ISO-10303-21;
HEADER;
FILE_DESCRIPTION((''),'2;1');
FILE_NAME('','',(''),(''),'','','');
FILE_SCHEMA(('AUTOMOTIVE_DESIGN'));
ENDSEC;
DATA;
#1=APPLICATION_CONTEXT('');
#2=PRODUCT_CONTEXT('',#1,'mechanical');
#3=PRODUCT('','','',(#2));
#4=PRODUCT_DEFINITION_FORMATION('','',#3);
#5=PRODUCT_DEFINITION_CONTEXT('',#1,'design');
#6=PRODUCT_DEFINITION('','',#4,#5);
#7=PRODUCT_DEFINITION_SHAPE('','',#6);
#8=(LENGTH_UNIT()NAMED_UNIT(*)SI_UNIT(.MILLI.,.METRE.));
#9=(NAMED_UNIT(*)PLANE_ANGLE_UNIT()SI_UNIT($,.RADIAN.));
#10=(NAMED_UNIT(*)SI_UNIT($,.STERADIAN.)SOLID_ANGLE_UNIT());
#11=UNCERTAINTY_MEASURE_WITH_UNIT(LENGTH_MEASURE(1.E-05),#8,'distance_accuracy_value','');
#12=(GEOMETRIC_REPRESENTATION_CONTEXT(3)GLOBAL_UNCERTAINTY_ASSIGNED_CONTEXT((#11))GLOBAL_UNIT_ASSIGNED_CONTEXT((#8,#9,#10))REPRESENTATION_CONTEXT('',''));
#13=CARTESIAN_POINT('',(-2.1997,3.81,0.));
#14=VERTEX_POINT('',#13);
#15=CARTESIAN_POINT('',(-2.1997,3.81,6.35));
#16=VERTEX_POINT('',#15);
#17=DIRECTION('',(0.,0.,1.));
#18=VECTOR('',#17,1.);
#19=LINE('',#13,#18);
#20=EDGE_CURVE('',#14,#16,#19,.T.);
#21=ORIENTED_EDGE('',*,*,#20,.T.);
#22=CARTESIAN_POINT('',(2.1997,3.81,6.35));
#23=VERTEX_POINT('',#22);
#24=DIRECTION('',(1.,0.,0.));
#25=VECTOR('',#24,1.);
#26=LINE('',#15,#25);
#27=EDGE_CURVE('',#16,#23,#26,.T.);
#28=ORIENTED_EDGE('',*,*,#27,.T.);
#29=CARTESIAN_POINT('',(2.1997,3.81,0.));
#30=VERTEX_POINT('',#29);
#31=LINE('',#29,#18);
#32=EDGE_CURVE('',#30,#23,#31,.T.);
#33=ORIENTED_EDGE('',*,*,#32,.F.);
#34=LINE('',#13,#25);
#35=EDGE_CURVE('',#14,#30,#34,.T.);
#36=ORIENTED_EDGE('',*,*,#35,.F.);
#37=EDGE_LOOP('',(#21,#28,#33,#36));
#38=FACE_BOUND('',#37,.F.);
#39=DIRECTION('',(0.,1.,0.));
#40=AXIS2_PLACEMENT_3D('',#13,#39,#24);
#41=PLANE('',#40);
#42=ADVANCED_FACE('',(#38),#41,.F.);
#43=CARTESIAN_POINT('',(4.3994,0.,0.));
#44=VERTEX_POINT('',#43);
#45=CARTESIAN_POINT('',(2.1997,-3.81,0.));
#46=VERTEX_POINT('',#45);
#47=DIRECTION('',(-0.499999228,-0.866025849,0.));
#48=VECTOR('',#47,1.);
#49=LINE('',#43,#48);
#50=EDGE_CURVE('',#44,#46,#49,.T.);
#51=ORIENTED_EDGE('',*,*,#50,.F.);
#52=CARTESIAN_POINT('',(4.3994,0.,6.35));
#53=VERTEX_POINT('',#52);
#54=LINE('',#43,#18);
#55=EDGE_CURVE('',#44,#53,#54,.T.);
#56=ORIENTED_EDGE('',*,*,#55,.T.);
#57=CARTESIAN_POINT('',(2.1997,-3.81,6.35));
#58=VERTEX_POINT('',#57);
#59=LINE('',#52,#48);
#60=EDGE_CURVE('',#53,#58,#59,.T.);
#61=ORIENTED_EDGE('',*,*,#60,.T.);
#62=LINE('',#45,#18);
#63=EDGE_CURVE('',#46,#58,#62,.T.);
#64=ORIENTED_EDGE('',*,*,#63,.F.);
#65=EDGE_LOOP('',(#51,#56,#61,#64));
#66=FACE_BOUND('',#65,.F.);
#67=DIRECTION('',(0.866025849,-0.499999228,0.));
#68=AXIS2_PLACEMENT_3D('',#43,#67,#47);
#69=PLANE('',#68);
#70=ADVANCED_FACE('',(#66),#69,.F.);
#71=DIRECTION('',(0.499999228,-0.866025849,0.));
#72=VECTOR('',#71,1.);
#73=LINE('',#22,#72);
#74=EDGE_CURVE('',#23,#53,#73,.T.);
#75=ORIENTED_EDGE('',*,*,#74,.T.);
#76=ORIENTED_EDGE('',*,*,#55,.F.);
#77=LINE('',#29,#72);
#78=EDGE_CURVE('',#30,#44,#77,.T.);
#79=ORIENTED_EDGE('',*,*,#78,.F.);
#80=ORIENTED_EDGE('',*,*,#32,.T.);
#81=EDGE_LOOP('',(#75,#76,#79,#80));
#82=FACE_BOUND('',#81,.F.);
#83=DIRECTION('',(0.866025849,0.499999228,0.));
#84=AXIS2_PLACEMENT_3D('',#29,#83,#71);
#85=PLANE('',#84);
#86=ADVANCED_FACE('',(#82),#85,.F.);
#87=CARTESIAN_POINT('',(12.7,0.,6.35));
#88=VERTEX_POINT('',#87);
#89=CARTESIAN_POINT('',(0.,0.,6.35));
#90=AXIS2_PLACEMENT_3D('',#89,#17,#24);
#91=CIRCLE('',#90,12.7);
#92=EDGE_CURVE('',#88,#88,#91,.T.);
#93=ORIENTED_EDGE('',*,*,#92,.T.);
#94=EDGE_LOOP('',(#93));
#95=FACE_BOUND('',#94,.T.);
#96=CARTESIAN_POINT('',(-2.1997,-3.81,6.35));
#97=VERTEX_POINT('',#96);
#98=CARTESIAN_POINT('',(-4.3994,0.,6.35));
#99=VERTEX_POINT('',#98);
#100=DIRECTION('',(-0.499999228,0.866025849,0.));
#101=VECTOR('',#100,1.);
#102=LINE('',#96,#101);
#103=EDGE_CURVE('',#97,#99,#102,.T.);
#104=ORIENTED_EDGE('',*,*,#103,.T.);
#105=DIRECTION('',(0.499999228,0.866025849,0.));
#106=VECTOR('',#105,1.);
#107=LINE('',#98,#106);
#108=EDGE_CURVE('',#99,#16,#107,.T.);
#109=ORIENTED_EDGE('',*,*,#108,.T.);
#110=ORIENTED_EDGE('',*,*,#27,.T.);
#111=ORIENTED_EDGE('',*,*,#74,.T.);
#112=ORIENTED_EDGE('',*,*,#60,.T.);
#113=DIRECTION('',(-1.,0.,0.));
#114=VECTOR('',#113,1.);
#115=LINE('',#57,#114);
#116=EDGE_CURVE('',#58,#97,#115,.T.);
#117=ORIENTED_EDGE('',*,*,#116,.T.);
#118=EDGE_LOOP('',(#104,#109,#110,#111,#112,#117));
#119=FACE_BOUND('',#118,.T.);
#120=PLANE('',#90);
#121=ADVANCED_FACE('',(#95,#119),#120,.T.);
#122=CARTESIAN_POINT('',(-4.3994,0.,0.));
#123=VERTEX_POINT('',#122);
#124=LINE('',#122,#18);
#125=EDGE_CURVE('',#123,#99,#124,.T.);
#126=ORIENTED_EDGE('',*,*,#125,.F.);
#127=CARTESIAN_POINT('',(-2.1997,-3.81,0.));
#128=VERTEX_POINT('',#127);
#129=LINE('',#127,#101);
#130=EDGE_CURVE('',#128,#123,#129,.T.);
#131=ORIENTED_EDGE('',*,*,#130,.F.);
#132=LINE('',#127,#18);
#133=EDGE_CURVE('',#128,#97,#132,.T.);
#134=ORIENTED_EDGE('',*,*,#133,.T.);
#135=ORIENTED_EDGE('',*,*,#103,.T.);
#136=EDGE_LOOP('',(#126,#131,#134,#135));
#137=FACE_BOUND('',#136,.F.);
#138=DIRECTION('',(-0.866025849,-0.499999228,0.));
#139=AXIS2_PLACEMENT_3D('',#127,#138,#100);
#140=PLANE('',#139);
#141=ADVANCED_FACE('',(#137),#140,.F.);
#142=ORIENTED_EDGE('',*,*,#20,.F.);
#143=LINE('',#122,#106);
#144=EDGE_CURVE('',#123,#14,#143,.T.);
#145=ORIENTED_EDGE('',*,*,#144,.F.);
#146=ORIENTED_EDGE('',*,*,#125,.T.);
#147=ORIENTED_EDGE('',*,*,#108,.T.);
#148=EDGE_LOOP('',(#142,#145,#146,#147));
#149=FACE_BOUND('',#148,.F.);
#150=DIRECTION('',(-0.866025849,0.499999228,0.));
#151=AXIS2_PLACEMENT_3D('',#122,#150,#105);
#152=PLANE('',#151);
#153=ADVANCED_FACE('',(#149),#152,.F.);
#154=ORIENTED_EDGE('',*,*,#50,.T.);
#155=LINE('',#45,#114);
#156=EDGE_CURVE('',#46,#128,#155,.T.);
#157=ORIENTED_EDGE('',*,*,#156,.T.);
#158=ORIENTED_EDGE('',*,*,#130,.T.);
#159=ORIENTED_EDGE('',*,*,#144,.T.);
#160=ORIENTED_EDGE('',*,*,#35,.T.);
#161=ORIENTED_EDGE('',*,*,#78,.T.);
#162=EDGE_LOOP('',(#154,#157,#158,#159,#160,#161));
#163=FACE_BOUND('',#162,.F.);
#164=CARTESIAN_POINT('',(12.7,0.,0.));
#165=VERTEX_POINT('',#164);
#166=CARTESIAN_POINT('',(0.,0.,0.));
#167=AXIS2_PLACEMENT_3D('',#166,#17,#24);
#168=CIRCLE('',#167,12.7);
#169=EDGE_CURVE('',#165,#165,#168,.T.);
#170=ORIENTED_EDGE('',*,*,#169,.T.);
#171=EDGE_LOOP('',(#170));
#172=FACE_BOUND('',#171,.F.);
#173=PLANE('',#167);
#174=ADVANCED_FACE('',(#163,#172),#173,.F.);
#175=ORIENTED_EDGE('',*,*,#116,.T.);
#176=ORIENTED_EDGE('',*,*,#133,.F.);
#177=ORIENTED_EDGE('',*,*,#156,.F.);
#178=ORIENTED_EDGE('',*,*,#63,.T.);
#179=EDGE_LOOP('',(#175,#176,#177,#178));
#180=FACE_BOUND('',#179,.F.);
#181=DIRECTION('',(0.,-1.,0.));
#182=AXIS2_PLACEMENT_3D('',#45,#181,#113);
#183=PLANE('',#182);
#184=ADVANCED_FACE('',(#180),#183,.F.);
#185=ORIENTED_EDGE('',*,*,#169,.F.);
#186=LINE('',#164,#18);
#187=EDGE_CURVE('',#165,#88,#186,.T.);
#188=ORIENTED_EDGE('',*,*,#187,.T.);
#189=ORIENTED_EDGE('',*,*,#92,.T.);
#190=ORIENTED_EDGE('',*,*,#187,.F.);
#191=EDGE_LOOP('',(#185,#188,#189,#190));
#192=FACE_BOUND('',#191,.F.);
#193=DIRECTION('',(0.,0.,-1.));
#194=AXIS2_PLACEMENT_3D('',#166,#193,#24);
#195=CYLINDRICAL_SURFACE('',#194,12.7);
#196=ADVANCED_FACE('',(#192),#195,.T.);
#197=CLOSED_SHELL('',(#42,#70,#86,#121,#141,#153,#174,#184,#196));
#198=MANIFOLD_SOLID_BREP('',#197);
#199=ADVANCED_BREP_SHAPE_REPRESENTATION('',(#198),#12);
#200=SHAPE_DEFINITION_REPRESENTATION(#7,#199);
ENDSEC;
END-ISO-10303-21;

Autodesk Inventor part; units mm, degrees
ref_plane "YZ Plane" through (0, 0, 0) normal (1, 0, 0) x (0, 1, 0)
ref_plane "XZ Plane" through (0, 0, 0) normal (0, 1, 0) x (-1, 0, 0)
ref_plane "XY Plane" through (0, 0, 0) normal (0, 0, 1) x (1, 0, 0)
sketch "Sketch1" plane through (0, 0, 0) normal (0, 0, 1) x (1, 0, 0)
  circle A0 centre (0, 0) radius 12.7
  line L0 (2.1997, 3.81) -> (4.3994, 0)
  line L1 (4.3994, 0) -> (2.1997, -3.81)
  line L2 (2.1997, -3.81) -> (-2.1997, -3.81)
  line L3 (-2.1997, -3.81) -> (-4.3994, 0)
  line L4 (-4.3994, 0) -> (-2.1997, 3.81)
  line L5 (-2.1997, 3.81) -> (2.1997, 3.81)
  line L6 (0, 0) -> (1.0545, 0)
  dimension "d0" = 25.4
  dimension "d1" = 7.62
extrude "Extrusion1" add sketch "Sketch1" along normal blind 6.35
properties part number "RobotArm Washer"
